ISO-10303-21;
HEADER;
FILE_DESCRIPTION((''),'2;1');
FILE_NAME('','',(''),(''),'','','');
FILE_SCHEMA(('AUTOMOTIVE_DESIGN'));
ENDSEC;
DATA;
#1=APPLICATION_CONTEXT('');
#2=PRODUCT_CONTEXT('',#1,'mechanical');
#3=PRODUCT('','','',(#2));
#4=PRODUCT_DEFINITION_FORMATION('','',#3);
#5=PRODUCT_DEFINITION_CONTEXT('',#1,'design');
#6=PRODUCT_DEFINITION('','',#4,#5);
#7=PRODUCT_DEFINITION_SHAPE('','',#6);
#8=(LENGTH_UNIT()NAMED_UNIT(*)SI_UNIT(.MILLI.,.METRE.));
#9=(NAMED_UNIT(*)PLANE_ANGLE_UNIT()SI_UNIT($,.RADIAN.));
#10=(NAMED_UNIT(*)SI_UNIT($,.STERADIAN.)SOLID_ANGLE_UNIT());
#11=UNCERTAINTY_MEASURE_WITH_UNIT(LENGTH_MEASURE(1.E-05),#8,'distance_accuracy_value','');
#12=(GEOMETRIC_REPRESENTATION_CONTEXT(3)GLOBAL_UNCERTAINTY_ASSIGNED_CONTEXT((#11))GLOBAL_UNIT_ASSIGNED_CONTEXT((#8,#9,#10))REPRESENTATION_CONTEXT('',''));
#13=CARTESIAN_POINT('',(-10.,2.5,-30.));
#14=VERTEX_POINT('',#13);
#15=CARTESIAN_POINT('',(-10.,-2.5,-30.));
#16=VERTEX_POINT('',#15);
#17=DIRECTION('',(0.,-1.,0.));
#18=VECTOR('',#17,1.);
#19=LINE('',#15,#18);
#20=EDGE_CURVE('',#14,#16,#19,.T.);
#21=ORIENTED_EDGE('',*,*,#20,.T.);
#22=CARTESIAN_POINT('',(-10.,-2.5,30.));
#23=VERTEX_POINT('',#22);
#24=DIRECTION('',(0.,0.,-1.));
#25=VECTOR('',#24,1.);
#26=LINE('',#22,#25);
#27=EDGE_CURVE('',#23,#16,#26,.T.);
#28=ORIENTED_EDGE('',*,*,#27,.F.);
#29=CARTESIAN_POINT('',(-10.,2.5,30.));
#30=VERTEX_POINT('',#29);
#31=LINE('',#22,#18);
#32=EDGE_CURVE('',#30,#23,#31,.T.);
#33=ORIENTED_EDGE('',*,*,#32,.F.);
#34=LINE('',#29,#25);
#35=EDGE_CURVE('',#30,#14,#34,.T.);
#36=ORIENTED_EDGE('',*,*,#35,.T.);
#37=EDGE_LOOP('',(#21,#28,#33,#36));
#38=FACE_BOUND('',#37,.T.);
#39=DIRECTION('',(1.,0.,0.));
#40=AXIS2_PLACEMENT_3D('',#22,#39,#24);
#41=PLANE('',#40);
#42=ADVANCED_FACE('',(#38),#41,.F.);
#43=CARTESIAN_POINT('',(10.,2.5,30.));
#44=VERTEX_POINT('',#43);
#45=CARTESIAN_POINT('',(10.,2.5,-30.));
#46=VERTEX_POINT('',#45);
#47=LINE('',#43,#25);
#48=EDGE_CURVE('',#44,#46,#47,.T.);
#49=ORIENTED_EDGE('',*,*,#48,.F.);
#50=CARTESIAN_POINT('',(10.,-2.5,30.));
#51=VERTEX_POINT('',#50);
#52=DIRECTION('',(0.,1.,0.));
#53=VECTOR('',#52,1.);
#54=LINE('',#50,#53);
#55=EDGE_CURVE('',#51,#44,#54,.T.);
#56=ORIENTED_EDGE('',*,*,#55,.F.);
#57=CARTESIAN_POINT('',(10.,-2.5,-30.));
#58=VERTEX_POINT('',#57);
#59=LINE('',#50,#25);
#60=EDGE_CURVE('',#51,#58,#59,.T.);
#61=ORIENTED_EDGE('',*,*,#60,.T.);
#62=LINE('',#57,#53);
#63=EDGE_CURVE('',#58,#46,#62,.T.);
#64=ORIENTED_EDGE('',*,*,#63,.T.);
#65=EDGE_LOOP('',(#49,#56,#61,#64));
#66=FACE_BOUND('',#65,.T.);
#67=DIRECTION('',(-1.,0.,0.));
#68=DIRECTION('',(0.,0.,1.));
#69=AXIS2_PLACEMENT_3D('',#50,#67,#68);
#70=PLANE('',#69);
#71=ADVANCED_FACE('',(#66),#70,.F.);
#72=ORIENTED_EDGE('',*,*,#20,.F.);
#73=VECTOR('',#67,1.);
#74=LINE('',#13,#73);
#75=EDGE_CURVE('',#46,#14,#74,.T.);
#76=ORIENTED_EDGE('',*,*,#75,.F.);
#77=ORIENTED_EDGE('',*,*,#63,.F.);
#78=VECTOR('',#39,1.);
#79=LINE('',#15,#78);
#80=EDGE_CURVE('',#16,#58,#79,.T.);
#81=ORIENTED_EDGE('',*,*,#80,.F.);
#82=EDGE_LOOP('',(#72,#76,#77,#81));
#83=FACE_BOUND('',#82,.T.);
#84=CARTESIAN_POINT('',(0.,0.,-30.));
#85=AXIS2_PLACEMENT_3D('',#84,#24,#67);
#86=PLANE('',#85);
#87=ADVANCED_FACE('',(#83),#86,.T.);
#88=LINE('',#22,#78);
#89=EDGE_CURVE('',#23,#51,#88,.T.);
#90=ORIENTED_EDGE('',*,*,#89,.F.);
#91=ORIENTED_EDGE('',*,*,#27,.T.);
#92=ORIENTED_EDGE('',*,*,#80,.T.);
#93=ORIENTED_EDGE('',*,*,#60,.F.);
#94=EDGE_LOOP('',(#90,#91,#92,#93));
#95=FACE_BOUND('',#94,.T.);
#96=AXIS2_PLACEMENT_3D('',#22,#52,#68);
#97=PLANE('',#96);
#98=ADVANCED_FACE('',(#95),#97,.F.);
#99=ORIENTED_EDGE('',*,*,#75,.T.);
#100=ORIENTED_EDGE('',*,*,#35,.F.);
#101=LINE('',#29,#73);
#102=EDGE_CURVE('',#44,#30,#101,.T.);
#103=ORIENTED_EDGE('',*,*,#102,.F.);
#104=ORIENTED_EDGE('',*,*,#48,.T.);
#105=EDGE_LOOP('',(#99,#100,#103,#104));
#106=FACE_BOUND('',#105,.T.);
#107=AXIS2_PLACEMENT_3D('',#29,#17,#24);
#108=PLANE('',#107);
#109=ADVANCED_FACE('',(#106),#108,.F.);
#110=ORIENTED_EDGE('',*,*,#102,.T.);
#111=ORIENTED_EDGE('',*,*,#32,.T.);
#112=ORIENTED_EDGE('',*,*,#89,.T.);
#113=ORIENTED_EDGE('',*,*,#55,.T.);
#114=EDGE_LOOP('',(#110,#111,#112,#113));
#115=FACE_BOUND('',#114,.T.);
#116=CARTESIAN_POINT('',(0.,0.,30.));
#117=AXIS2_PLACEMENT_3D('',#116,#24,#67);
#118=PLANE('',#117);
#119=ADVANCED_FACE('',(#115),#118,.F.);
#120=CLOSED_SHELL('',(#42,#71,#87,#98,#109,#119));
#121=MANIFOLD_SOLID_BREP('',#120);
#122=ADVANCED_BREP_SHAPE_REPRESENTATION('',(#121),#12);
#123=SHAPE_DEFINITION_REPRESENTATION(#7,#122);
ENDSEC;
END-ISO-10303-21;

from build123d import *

# Parameters (mm, degrees)
SKETCH1_W  = 20
SKETCH1_H  = 5
LINK_DEPTH = 30


with BuildPart() as part:
    # Sketch1 → Link (new body, symmetric)
    with BuildSketch(Plane.XY):
        Rectangle(SKETCH1_W, SKETCH1_H)
    extrude(amount=LINK_DEPTH, both=True)


solid = part.part
